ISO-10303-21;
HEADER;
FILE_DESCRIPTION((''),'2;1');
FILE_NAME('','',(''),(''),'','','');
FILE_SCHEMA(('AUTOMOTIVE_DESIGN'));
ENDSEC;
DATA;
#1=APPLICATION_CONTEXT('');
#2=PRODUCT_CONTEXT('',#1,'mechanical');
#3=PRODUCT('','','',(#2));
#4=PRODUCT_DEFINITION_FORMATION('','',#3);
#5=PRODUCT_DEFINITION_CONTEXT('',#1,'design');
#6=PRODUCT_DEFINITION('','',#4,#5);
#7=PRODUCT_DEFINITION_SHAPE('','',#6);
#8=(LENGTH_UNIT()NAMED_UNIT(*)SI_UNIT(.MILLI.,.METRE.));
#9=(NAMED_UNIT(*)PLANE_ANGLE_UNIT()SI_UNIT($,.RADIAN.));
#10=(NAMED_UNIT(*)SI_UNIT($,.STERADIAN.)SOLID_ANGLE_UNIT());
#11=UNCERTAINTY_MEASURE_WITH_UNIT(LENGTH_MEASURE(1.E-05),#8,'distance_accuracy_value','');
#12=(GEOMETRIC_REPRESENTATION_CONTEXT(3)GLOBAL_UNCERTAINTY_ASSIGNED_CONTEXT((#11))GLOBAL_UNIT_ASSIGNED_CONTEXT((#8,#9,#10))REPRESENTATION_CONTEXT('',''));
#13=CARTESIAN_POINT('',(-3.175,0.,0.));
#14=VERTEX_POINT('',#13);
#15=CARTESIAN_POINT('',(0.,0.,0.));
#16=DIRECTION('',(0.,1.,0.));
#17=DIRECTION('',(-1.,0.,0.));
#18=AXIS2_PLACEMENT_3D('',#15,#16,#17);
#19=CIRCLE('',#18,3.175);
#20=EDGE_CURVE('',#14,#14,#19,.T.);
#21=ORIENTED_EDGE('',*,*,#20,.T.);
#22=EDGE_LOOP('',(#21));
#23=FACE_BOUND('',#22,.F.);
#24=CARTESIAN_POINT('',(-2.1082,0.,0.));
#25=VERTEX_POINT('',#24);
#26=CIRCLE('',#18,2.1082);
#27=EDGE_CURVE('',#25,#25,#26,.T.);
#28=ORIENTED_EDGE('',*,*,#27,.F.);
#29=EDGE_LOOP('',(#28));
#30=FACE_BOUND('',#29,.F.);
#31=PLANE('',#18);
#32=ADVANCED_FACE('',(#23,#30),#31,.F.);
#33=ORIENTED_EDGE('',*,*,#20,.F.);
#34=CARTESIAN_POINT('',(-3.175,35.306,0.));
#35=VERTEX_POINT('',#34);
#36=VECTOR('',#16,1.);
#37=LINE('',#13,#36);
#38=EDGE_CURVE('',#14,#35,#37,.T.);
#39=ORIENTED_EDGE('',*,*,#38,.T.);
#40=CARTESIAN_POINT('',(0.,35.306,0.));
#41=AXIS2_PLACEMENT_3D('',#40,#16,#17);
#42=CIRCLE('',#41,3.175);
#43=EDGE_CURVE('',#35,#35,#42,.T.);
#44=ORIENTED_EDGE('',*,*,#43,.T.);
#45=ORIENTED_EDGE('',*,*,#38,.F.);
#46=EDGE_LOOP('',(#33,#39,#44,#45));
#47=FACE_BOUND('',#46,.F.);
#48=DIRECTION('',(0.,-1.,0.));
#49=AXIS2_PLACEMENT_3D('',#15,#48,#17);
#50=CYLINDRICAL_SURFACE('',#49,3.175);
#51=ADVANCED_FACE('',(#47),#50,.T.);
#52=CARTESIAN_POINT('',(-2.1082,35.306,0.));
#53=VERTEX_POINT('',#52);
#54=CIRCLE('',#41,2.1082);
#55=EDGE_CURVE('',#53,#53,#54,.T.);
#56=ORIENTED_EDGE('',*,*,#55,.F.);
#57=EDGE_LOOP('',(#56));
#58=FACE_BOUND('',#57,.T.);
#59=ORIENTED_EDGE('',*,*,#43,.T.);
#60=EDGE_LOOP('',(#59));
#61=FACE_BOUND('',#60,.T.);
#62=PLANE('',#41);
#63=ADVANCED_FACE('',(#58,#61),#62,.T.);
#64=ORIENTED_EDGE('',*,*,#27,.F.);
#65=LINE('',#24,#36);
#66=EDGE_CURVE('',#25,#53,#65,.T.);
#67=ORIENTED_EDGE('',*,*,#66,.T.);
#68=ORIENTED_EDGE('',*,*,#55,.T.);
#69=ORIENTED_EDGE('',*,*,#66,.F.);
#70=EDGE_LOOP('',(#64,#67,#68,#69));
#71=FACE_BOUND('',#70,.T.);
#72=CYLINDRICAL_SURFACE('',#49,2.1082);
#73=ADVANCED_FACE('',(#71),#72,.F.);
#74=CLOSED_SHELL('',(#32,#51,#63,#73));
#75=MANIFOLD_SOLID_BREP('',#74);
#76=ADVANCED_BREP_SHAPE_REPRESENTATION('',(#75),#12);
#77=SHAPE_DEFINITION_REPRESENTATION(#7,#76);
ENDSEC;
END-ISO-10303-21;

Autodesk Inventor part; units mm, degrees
ref_plane "YZ Plane" through (0, 0, 0) normal (1, 0, 0) x (0, 1, 0)
ref_plane "XZ Plane" through (0, 0, 0) normal (0, 1, 0) x (-1, 0, 0)
ref_plane "XY Plane" through (0, 0, 0) normal (0, 0, 1) x (1, 0, 0)
sketch "Sketch1" plane through (0, 0, 0) normal (0, 1, 0) x (-1, 0, 0)
  circle A0 centre (0, 0) radius 2.1082
  circle A1 centre (0, 0) radius 3.175
  dimension "d0" = 4.2164
  dimension "d1" = 6.35
extrude "Extrusion1" add sketch "Sketch1" along normal blind 35.306
properties part number "1.39 1-2 od" material "Stainless Steel"
